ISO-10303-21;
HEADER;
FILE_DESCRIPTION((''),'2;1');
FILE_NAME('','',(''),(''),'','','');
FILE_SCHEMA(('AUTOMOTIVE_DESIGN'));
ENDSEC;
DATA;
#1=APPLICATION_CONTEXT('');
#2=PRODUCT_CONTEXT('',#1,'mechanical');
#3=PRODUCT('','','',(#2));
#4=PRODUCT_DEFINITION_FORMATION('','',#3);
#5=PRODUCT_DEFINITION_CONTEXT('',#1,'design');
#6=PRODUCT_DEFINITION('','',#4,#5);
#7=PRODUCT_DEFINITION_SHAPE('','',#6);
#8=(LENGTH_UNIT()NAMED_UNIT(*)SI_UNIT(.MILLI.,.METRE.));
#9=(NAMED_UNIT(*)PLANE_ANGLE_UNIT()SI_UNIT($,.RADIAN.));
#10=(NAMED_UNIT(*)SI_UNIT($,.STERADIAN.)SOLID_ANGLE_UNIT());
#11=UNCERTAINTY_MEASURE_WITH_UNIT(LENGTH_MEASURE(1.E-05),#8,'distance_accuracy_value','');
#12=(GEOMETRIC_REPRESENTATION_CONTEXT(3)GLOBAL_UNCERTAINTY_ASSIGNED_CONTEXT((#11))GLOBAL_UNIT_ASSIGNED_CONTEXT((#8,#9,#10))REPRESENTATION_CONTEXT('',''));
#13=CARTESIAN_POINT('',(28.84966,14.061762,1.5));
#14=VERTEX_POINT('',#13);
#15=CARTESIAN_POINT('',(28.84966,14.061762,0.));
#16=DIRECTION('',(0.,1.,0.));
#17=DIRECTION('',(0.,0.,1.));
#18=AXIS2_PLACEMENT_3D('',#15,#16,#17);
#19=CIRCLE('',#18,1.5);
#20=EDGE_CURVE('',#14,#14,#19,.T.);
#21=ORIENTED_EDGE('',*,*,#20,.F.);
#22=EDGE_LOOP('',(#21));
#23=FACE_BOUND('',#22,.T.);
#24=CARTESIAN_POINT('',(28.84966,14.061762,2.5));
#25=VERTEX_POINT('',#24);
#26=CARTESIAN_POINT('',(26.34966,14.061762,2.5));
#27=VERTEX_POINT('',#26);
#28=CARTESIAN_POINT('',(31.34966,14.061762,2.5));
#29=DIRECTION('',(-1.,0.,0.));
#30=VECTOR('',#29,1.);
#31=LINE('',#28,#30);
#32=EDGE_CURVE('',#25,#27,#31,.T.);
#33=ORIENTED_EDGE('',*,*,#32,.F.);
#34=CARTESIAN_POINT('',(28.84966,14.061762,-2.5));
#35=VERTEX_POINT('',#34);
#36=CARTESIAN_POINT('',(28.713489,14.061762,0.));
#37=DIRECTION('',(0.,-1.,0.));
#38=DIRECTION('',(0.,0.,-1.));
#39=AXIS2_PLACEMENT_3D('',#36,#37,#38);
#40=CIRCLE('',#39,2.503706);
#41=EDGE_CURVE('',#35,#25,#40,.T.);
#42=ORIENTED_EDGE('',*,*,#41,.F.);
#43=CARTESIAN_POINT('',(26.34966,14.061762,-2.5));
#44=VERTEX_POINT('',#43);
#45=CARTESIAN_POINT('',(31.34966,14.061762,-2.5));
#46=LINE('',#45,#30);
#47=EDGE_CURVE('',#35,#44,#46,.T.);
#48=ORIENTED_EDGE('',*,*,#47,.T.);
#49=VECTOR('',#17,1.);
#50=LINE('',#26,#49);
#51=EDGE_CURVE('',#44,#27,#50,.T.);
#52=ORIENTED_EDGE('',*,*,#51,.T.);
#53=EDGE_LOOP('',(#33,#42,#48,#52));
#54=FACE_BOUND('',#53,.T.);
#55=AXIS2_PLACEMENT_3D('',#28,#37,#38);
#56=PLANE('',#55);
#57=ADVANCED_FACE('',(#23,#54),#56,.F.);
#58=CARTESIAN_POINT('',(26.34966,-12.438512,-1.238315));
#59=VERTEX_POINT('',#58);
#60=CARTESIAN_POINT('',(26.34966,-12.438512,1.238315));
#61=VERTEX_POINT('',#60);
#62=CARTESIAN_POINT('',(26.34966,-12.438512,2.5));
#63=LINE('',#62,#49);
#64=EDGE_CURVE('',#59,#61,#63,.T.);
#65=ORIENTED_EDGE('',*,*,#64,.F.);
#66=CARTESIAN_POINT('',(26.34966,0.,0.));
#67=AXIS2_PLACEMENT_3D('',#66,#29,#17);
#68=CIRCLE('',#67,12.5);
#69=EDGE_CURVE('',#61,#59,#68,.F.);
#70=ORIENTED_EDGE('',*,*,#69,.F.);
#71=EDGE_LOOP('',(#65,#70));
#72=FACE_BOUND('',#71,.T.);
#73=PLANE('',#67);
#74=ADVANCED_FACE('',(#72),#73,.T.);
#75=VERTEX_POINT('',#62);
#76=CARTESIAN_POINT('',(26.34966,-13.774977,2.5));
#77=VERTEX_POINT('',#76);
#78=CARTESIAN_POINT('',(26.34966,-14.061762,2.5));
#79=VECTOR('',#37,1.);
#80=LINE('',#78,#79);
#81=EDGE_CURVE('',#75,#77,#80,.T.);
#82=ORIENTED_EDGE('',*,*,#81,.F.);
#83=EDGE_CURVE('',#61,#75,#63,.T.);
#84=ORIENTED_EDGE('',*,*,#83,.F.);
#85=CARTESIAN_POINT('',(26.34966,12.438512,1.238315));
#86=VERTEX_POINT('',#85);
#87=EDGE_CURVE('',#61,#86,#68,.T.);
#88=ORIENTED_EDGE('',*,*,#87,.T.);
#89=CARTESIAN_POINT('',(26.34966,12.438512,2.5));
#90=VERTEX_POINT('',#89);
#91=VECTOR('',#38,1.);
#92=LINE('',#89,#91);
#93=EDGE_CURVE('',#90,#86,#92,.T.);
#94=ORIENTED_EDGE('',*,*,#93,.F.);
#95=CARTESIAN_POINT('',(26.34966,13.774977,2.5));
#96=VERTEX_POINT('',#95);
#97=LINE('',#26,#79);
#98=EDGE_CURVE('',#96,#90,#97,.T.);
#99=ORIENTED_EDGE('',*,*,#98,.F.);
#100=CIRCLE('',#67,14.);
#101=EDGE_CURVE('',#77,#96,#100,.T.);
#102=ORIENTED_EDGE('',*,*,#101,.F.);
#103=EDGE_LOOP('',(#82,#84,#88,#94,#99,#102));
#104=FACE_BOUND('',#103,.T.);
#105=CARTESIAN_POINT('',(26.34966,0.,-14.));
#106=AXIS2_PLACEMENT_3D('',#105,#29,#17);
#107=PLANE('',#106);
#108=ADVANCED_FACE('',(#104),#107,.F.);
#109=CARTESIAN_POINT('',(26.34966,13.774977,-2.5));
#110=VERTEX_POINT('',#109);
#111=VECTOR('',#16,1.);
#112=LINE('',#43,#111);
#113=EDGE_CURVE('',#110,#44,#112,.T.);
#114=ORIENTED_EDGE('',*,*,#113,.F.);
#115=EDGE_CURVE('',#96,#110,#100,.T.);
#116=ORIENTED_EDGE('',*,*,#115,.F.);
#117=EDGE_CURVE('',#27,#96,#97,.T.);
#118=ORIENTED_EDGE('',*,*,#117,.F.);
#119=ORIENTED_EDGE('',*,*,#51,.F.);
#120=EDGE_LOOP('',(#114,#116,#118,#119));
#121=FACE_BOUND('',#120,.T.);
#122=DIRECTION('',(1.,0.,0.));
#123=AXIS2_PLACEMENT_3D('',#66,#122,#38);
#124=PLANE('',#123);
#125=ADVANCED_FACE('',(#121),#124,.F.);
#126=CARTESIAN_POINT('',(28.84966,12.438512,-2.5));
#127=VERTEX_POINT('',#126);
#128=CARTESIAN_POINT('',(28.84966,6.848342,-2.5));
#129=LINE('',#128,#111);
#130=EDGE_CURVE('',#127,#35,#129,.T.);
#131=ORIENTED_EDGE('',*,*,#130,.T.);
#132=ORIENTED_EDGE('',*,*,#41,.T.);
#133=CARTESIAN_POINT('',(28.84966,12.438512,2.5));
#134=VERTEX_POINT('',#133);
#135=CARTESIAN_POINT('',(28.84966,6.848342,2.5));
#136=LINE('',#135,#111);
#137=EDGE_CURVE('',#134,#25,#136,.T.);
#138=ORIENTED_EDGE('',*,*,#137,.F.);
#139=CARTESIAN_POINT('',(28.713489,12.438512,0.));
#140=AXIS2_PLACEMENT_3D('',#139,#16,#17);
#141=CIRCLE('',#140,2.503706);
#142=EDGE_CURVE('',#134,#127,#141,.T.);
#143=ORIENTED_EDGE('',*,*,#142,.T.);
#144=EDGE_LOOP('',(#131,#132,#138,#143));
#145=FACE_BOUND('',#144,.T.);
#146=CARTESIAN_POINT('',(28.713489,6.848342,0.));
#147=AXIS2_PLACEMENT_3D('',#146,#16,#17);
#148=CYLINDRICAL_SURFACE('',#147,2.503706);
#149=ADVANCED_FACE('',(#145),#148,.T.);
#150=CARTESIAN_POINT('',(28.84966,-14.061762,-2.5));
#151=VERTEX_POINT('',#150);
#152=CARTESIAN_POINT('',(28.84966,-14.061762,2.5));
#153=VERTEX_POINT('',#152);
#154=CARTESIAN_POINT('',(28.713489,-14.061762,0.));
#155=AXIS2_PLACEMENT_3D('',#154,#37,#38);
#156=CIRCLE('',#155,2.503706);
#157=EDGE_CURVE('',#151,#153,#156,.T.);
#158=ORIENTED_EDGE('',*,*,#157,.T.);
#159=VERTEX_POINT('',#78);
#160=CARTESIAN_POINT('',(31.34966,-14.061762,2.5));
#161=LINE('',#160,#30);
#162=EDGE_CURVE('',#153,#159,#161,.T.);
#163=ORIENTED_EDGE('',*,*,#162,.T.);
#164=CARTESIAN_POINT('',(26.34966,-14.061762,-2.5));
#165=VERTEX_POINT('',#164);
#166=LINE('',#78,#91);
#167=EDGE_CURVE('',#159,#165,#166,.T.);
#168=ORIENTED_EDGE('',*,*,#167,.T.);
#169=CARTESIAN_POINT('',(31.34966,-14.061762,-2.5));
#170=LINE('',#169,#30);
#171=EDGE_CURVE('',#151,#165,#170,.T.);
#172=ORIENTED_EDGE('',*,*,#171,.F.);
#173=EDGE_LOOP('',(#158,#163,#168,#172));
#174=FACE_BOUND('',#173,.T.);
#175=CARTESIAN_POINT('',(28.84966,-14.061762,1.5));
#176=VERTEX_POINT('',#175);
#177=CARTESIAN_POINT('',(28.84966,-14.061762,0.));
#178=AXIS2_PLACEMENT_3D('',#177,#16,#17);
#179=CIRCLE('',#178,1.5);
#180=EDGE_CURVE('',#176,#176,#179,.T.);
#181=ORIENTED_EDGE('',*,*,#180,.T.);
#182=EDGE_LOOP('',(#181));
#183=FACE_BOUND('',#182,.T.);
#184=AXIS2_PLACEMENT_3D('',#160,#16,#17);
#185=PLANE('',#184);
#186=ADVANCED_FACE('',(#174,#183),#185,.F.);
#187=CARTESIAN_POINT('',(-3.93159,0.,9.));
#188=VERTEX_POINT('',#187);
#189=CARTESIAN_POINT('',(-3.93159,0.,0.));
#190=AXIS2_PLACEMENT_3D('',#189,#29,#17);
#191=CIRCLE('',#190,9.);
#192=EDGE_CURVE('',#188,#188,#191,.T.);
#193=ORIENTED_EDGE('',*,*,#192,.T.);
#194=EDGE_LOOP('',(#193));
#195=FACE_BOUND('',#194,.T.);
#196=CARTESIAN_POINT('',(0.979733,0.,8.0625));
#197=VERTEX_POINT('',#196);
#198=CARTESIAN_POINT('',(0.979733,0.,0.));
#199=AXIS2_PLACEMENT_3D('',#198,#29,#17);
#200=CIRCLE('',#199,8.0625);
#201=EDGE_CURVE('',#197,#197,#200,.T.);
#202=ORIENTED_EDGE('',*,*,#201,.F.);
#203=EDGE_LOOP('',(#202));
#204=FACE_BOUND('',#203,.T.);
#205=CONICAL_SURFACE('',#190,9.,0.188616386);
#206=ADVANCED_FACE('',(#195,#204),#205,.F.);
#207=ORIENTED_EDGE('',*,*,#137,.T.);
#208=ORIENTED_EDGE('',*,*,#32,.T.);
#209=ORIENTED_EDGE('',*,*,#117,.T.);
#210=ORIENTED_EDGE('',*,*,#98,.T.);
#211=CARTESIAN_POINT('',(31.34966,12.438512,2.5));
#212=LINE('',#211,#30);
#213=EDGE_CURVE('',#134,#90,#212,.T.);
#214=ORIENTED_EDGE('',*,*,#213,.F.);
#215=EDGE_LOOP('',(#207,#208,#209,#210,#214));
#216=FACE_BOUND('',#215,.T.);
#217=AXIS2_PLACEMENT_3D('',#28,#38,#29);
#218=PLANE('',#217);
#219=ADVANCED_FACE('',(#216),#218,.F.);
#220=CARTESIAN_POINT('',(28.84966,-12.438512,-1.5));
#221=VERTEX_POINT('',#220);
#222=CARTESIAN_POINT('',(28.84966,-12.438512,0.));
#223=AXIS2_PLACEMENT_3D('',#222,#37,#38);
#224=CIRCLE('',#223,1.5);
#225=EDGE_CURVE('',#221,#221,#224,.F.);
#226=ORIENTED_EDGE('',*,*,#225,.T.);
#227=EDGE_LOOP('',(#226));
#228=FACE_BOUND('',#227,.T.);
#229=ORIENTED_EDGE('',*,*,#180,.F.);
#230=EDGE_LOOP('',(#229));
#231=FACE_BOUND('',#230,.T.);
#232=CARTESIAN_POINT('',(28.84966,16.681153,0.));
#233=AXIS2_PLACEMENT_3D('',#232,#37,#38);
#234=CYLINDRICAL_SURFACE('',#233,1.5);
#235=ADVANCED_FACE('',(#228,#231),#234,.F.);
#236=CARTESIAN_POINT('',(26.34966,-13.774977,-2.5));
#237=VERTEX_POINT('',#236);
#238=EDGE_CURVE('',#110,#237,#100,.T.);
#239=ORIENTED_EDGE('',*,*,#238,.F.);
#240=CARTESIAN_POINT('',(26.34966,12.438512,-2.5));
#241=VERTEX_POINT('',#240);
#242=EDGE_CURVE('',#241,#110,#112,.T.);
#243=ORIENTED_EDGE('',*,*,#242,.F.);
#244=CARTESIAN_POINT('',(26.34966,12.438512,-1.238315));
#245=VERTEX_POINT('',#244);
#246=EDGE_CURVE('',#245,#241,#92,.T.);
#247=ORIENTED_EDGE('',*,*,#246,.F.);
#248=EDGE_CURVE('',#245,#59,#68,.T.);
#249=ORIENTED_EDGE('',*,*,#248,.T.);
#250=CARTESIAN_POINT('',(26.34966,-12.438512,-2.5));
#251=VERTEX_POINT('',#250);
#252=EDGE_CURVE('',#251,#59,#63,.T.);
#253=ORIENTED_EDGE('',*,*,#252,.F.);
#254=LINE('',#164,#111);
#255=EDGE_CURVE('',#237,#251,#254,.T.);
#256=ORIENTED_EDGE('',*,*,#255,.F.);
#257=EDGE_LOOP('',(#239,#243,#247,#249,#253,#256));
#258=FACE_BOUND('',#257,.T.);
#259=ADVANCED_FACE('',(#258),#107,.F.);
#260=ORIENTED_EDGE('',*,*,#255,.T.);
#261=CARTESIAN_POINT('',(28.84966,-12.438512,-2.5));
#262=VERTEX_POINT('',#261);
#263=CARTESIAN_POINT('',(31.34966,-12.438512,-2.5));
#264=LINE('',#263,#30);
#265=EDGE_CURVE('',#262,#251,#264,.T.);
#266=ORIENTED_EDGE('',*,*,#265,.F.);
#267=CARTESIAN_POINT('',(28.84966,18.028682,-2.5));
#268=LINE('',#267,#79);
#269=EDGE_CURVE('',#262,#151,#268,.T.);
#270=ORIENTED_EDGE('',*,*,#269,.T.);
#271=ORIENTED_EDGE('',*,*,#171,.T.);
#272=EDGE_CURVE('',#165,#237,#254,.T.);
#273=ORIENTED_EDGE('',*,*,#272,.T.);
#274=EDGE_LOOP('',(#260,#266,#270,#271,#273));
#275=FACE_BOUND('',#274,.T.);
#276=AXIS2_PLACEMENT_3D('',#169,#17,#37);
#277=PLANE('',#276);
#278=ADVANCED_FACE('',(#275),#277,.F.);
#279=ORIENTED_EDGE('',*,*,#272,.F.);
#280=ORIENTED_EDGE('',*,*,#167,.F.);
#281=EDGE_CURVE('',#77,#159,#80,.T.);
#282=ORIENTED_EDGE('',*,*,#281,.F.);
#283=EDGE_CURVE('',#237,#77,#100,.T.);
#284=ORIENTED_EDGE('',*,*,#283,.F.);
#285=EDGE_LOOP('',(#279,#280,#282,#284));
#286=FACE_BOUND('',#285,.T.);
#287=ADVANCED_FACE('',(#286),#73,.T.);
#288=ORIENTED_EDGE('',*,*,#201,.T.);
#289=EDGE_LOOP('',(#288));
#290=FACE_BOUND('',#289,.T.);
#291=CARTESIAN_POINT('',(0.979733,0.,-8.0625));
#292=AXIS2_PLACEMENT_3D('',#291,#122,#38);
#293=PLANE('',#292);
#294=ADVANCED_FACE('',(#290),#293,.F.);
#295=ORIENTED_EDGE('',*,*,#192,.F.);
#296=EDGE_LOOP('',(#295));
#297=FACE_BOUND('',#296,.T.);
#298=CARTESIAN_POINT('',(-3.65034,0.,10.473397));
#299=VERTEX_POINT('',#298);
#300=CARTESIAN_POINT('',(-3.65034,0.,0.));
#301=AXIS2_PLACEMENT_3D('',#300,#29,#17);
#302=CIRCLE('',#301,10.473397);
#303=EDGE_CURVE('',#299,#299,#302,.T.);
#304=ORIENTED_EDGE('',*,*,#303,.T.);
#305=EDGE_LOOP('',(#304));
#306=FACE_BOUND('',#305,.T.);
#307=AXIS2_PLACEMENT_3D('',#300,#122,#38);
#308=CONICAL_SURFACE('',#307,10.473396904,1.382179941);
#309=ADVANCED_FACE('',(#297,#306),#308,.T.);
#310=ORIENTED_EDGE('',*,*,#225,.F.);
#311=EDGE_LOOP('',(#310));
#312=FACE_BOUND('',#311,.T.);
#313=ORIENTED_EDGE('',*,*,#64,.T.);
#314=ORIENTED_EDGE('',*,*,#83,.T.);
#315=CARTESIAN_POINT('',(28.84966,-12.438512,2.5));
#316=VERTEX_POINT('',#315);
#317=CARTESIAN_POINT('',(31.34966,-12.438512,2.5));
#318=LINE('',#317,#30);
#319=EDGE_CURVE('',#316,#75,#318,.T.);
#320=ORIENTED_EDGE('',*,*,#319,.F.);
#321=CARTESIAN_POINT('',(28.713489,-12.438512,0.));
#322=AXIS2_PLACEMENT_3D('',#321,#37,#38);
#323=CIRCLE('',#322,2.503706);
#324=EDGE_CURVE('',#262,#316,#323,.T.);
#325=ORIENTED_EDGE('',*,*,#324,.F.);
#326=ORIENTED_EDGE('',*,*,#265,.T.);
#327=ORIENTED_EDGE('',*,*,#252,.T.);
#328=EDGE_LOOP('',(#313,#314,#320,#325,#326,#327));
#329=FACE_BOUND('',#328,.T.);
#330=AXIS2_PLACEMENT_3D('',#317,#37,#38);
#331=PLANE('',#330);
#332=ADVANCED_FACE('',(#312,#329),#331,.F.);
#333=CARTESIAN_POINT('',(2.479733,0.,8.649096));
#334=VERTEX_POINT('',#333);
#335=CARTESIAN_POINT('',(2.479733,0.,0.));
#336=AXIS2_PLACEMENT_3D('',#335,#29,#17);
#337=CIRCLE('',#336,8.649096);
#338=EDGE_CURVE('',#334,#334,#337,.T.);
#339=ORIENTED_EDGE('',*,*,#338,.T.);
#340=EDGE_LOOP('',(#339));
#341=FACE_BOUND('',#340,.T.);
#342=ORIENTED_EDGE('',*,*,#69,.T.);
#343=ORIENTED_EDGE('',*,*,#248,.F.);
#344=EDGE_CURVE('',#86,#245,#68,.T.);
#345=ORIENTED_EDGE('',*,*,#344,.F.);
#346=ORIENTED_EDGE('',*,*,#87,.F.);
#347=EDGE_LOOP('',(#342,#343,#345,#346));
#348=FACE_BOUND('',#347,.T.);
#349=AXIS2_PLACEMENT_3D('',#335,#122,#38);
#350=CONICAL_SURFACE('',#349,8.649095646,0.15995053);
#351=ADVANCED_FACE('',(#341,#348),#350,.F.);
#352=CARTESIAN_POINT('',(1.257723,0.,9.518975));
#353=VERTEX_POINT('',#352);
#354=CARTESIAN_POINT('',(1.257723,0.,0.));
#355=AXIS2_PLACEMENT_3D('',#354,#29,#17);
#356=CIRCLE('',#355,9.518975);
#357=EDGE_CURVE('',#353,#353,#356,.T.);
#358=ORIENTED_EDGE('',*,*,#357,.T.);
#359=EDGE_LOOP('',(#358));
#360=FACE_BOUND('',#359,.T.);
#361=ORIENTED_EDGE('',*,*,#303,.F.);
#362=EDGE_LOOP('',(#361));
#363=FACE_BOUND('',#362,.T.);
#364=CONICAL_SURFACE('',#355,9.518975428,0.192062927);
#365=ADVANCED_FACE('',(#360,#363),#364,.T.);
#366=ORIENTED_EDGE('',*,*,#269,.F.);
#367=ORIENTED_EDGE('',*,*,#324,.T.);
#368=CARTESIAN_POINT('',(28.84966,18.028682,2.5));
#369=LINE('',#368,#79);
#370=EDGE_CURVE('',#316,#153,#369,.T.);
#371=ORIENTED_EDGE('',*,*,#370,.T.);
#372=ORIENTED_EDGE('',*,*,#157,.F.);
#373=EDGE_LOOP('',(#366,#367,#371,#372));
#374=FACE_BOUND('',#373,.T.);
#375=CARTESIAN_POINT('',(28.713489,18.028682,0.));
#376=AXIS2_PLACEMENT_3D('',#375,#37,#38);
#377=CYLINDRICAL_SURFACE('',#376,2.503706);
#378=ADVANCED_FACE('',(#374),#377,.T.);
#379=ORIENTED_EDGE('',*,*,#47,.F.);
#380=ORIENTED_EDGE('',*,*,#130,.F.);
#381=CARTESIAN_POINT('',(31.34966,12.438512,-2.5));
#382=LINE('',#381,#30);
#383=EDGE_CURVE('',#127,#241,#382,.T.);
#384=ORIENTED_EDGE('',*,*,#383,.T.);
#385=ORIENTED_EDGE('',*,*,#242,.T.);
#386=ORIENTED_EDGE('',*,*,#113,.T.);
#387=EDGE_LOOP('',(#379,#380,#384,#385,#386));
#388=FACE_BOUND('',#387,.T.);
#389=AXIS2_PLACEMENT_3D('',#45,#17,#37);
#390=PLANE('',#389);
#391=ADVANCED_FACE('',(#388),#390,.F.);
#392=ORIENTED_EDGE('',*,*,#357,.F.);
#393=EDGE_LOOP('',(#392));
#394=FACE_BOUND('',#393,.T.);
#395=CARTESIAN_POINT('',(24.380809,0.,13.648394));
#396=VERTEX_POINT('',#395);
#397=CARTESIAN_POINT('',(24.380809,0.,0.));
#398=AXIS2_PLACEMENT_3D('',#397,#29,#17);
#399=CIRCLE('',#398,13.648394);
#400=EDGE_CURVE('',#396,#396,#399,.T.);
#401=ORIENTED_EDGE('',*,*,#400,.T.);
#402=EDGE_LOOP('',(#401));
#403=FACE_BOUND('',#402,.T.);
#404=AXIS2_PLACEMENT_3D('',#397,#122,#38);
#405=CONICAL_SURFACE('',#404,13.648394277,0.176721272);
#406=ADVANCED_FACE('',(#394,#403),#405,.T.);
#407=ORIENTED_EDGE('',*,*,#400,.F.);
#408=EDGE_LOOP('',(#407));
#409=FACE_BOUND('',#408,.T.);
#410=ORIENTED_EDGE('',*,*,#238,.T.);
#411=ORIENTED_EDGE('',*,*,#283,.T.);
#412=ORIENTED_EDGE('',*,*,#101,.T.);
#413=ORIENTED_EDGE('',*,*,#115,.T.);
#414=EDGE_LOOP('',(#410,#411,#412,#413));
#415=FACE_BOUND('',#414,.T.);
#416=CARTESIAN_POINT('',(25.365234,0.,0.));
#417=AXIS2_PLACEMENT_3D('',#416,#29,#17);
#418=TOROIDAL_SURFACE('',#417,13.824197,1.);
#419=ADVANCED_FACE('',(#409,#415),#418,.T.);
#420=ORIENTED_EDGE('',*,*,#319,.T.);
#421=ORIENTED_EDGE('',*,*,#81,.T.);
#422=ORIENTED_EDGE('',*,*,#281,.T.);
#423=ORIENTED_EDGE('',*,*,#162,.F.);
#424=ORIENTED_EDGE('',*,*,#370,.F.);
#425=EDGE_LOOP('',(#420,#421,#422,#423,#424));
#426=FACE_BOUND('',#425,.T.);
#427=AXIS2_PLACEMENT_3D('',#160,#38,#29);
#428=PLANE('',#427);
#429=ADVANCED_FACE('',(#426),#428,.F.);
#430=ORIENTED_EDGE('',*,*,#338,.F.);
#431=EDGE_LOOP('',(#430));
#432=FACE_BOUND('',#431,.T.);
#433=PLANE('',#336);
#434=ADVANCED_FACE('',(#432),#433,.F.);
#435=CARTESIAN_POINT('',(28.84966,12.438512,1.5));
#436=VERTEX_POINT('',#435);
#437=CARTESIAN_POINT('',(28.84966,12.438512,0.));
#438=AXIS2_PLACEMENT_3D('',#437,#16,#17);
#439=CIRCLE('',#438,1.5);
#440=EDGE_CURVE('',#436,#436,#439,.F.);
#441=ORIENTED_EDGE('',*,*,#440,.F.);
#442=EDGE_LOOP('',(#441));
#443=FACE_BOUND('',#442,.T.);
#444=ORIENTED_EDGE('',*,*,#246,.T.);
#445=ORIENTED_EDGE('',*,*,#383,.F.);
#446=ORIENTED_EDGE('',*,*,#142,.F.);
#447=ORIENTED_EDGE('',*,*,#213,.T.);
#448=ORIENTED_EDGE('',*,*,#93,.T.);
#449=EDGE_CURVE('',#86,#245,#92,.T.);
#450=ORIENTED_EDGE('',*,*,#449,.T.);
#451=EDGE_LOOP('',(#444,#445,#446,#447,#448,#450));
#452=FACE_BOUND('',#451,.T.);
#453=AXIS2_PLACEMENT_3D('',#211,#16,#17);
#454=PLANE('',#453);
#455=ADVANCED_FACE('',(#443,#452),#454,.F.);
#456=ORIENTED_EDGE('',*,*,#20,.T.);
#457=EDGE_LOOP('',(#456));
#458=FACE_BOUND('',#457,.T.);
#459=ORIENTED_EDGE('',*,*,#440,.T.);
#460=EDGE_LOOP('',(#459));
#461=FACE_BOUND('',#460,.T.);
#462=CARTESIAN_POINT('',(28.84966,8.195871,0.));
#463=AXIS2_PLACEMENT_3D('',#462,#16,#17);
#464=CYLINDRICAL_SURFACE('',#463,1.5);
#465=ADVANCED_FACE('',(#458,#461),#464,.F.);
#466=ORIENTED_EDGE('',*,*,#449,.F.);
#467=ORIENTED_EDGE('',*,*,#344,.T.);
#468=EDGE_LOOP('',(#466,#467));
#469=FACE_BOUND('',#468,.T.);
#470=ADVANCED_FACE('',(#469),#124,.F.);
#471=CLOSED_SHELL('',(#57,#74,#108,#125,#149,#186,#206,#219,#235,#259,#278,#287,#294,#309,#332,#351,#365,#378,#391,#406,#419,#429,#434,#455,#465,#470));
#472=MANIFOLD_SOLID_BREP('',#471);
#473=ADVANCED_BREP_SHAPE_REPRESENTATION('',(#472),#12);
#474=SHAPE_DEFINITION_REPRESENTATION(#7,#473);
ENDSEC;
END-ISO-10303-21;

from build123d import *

# Parameters (mm, degrees)
SKETCH2_W           = 5
SKETCH2_H           = 1.623250271
BOSS_EXTRUDE1_DEPTH = 5
CUT_EXTRUDE1_DEPTH  = 26.500274
SKETCH4_R           = 1.5
CUT_EXTRUDE2_DEPTH  = 26.500274


with BuildPart() as part:
    # Sketch1 → Revolve1 (revolve)
    with BuildSketch(Plane(origin=(0, 0, 0), x_dir=(1, 0, 0), z_dir=(0, 1, 0))):
        with BuildLine():
            Line((1.257722515, 9.518975428), (24.380809012, 13.648394277))
            ThreePointArc((24.380809012, 13.648394277), (25.189431543, 14.808622531), (26.349659797, 14))
            Line((26.349659797, 14), (26.349659797, 12.5))
            Line((26.349659797, 12.5), (2.479732811, 8.649095646))
            Line((2.479732811, 8.649095646), (2.479732811, 0))
            Line((2.479732811, 0), (0.979732811, 0))
            Line((0.979732811, 0), (0.979732811, 8.0625))
            Line((0.979732811, 8.0625), (-3.931590203, 9))
            Line((-3.931590203, 9), (-3.650340203, 10.473396904))
            Line((-3.650340203, 10.473396904), (1.257722515, 9.518975428))
        make_face()
    revolve(axis=Axis((-20.81402906, 0, 0), (1, 0, 0)))

    # Sketch2 → Boss-Extrude1 (add)
    with BuildSketch(Plane(origin=(26.349659797, 0, 0), x_dir=(0, 0, -1), z_dir=(1, 0, 0))):
        with Locations((0, 13.250136984)):
            Rectangle(SKETCH2_W, SKETCH2_H)
        with Locations((0, -13.250136984)):
            Rectangle(SKETCH2_W, SKETCH2_H)
    extrude(amount=BOSS_EXTRUDE1_DEPTH)

    # Sketch3 → Cut-Extrude1 (cut)
    with BuildSketch(Plane(origin=(0, 14.061762119, 0), x_dir=(1, 0, 0), z_dir=(0, 1, 0))):
        with BuildLine():
            Line((28.849659797, 2.5), (31.349659797, 2.5))
            Line((31.349659797, 2.5), (31.349659797, -2.5))
            Line((31.349659797, -2.5), (28.849659797, -2.5))
            ThreePointArc((28.849659797, -2.5), (31.217194374, 0), (28.849659797, 2.5))
        make_face()
    cut_extrude1 = extrude(amount=-CUT_EXTRUDE1_DEPTH, mode=Mode.SUBTRACT)

    # Mirror1: Cut-Extrude1 across plane
    add(cut_extrude1.mirror(Plane.ZX), mode=Mode.SUBTRACT)

    # Sketch4 → Cut-Extrude2 (cut)
    with BuildSketch(Plane(origin=(0, 14.061762119, 0), x_dir=(1, 0, 0), z_dir=(0, 1, 0))):
        with Locations((28.849659797, 0)):
            Circle(SKETCH4_R)
    cut_extrude2 = extrude(amount=-CUT_EXTRUDE2_DEPTH, mode=Mode.SUBTRACT)

    # Mirror2: Cut-Extrude2 across plane
    add(cut_extrude2.mirror(Plane.ZX), mode=Mode.SUBTRACT)


solid = part.part
